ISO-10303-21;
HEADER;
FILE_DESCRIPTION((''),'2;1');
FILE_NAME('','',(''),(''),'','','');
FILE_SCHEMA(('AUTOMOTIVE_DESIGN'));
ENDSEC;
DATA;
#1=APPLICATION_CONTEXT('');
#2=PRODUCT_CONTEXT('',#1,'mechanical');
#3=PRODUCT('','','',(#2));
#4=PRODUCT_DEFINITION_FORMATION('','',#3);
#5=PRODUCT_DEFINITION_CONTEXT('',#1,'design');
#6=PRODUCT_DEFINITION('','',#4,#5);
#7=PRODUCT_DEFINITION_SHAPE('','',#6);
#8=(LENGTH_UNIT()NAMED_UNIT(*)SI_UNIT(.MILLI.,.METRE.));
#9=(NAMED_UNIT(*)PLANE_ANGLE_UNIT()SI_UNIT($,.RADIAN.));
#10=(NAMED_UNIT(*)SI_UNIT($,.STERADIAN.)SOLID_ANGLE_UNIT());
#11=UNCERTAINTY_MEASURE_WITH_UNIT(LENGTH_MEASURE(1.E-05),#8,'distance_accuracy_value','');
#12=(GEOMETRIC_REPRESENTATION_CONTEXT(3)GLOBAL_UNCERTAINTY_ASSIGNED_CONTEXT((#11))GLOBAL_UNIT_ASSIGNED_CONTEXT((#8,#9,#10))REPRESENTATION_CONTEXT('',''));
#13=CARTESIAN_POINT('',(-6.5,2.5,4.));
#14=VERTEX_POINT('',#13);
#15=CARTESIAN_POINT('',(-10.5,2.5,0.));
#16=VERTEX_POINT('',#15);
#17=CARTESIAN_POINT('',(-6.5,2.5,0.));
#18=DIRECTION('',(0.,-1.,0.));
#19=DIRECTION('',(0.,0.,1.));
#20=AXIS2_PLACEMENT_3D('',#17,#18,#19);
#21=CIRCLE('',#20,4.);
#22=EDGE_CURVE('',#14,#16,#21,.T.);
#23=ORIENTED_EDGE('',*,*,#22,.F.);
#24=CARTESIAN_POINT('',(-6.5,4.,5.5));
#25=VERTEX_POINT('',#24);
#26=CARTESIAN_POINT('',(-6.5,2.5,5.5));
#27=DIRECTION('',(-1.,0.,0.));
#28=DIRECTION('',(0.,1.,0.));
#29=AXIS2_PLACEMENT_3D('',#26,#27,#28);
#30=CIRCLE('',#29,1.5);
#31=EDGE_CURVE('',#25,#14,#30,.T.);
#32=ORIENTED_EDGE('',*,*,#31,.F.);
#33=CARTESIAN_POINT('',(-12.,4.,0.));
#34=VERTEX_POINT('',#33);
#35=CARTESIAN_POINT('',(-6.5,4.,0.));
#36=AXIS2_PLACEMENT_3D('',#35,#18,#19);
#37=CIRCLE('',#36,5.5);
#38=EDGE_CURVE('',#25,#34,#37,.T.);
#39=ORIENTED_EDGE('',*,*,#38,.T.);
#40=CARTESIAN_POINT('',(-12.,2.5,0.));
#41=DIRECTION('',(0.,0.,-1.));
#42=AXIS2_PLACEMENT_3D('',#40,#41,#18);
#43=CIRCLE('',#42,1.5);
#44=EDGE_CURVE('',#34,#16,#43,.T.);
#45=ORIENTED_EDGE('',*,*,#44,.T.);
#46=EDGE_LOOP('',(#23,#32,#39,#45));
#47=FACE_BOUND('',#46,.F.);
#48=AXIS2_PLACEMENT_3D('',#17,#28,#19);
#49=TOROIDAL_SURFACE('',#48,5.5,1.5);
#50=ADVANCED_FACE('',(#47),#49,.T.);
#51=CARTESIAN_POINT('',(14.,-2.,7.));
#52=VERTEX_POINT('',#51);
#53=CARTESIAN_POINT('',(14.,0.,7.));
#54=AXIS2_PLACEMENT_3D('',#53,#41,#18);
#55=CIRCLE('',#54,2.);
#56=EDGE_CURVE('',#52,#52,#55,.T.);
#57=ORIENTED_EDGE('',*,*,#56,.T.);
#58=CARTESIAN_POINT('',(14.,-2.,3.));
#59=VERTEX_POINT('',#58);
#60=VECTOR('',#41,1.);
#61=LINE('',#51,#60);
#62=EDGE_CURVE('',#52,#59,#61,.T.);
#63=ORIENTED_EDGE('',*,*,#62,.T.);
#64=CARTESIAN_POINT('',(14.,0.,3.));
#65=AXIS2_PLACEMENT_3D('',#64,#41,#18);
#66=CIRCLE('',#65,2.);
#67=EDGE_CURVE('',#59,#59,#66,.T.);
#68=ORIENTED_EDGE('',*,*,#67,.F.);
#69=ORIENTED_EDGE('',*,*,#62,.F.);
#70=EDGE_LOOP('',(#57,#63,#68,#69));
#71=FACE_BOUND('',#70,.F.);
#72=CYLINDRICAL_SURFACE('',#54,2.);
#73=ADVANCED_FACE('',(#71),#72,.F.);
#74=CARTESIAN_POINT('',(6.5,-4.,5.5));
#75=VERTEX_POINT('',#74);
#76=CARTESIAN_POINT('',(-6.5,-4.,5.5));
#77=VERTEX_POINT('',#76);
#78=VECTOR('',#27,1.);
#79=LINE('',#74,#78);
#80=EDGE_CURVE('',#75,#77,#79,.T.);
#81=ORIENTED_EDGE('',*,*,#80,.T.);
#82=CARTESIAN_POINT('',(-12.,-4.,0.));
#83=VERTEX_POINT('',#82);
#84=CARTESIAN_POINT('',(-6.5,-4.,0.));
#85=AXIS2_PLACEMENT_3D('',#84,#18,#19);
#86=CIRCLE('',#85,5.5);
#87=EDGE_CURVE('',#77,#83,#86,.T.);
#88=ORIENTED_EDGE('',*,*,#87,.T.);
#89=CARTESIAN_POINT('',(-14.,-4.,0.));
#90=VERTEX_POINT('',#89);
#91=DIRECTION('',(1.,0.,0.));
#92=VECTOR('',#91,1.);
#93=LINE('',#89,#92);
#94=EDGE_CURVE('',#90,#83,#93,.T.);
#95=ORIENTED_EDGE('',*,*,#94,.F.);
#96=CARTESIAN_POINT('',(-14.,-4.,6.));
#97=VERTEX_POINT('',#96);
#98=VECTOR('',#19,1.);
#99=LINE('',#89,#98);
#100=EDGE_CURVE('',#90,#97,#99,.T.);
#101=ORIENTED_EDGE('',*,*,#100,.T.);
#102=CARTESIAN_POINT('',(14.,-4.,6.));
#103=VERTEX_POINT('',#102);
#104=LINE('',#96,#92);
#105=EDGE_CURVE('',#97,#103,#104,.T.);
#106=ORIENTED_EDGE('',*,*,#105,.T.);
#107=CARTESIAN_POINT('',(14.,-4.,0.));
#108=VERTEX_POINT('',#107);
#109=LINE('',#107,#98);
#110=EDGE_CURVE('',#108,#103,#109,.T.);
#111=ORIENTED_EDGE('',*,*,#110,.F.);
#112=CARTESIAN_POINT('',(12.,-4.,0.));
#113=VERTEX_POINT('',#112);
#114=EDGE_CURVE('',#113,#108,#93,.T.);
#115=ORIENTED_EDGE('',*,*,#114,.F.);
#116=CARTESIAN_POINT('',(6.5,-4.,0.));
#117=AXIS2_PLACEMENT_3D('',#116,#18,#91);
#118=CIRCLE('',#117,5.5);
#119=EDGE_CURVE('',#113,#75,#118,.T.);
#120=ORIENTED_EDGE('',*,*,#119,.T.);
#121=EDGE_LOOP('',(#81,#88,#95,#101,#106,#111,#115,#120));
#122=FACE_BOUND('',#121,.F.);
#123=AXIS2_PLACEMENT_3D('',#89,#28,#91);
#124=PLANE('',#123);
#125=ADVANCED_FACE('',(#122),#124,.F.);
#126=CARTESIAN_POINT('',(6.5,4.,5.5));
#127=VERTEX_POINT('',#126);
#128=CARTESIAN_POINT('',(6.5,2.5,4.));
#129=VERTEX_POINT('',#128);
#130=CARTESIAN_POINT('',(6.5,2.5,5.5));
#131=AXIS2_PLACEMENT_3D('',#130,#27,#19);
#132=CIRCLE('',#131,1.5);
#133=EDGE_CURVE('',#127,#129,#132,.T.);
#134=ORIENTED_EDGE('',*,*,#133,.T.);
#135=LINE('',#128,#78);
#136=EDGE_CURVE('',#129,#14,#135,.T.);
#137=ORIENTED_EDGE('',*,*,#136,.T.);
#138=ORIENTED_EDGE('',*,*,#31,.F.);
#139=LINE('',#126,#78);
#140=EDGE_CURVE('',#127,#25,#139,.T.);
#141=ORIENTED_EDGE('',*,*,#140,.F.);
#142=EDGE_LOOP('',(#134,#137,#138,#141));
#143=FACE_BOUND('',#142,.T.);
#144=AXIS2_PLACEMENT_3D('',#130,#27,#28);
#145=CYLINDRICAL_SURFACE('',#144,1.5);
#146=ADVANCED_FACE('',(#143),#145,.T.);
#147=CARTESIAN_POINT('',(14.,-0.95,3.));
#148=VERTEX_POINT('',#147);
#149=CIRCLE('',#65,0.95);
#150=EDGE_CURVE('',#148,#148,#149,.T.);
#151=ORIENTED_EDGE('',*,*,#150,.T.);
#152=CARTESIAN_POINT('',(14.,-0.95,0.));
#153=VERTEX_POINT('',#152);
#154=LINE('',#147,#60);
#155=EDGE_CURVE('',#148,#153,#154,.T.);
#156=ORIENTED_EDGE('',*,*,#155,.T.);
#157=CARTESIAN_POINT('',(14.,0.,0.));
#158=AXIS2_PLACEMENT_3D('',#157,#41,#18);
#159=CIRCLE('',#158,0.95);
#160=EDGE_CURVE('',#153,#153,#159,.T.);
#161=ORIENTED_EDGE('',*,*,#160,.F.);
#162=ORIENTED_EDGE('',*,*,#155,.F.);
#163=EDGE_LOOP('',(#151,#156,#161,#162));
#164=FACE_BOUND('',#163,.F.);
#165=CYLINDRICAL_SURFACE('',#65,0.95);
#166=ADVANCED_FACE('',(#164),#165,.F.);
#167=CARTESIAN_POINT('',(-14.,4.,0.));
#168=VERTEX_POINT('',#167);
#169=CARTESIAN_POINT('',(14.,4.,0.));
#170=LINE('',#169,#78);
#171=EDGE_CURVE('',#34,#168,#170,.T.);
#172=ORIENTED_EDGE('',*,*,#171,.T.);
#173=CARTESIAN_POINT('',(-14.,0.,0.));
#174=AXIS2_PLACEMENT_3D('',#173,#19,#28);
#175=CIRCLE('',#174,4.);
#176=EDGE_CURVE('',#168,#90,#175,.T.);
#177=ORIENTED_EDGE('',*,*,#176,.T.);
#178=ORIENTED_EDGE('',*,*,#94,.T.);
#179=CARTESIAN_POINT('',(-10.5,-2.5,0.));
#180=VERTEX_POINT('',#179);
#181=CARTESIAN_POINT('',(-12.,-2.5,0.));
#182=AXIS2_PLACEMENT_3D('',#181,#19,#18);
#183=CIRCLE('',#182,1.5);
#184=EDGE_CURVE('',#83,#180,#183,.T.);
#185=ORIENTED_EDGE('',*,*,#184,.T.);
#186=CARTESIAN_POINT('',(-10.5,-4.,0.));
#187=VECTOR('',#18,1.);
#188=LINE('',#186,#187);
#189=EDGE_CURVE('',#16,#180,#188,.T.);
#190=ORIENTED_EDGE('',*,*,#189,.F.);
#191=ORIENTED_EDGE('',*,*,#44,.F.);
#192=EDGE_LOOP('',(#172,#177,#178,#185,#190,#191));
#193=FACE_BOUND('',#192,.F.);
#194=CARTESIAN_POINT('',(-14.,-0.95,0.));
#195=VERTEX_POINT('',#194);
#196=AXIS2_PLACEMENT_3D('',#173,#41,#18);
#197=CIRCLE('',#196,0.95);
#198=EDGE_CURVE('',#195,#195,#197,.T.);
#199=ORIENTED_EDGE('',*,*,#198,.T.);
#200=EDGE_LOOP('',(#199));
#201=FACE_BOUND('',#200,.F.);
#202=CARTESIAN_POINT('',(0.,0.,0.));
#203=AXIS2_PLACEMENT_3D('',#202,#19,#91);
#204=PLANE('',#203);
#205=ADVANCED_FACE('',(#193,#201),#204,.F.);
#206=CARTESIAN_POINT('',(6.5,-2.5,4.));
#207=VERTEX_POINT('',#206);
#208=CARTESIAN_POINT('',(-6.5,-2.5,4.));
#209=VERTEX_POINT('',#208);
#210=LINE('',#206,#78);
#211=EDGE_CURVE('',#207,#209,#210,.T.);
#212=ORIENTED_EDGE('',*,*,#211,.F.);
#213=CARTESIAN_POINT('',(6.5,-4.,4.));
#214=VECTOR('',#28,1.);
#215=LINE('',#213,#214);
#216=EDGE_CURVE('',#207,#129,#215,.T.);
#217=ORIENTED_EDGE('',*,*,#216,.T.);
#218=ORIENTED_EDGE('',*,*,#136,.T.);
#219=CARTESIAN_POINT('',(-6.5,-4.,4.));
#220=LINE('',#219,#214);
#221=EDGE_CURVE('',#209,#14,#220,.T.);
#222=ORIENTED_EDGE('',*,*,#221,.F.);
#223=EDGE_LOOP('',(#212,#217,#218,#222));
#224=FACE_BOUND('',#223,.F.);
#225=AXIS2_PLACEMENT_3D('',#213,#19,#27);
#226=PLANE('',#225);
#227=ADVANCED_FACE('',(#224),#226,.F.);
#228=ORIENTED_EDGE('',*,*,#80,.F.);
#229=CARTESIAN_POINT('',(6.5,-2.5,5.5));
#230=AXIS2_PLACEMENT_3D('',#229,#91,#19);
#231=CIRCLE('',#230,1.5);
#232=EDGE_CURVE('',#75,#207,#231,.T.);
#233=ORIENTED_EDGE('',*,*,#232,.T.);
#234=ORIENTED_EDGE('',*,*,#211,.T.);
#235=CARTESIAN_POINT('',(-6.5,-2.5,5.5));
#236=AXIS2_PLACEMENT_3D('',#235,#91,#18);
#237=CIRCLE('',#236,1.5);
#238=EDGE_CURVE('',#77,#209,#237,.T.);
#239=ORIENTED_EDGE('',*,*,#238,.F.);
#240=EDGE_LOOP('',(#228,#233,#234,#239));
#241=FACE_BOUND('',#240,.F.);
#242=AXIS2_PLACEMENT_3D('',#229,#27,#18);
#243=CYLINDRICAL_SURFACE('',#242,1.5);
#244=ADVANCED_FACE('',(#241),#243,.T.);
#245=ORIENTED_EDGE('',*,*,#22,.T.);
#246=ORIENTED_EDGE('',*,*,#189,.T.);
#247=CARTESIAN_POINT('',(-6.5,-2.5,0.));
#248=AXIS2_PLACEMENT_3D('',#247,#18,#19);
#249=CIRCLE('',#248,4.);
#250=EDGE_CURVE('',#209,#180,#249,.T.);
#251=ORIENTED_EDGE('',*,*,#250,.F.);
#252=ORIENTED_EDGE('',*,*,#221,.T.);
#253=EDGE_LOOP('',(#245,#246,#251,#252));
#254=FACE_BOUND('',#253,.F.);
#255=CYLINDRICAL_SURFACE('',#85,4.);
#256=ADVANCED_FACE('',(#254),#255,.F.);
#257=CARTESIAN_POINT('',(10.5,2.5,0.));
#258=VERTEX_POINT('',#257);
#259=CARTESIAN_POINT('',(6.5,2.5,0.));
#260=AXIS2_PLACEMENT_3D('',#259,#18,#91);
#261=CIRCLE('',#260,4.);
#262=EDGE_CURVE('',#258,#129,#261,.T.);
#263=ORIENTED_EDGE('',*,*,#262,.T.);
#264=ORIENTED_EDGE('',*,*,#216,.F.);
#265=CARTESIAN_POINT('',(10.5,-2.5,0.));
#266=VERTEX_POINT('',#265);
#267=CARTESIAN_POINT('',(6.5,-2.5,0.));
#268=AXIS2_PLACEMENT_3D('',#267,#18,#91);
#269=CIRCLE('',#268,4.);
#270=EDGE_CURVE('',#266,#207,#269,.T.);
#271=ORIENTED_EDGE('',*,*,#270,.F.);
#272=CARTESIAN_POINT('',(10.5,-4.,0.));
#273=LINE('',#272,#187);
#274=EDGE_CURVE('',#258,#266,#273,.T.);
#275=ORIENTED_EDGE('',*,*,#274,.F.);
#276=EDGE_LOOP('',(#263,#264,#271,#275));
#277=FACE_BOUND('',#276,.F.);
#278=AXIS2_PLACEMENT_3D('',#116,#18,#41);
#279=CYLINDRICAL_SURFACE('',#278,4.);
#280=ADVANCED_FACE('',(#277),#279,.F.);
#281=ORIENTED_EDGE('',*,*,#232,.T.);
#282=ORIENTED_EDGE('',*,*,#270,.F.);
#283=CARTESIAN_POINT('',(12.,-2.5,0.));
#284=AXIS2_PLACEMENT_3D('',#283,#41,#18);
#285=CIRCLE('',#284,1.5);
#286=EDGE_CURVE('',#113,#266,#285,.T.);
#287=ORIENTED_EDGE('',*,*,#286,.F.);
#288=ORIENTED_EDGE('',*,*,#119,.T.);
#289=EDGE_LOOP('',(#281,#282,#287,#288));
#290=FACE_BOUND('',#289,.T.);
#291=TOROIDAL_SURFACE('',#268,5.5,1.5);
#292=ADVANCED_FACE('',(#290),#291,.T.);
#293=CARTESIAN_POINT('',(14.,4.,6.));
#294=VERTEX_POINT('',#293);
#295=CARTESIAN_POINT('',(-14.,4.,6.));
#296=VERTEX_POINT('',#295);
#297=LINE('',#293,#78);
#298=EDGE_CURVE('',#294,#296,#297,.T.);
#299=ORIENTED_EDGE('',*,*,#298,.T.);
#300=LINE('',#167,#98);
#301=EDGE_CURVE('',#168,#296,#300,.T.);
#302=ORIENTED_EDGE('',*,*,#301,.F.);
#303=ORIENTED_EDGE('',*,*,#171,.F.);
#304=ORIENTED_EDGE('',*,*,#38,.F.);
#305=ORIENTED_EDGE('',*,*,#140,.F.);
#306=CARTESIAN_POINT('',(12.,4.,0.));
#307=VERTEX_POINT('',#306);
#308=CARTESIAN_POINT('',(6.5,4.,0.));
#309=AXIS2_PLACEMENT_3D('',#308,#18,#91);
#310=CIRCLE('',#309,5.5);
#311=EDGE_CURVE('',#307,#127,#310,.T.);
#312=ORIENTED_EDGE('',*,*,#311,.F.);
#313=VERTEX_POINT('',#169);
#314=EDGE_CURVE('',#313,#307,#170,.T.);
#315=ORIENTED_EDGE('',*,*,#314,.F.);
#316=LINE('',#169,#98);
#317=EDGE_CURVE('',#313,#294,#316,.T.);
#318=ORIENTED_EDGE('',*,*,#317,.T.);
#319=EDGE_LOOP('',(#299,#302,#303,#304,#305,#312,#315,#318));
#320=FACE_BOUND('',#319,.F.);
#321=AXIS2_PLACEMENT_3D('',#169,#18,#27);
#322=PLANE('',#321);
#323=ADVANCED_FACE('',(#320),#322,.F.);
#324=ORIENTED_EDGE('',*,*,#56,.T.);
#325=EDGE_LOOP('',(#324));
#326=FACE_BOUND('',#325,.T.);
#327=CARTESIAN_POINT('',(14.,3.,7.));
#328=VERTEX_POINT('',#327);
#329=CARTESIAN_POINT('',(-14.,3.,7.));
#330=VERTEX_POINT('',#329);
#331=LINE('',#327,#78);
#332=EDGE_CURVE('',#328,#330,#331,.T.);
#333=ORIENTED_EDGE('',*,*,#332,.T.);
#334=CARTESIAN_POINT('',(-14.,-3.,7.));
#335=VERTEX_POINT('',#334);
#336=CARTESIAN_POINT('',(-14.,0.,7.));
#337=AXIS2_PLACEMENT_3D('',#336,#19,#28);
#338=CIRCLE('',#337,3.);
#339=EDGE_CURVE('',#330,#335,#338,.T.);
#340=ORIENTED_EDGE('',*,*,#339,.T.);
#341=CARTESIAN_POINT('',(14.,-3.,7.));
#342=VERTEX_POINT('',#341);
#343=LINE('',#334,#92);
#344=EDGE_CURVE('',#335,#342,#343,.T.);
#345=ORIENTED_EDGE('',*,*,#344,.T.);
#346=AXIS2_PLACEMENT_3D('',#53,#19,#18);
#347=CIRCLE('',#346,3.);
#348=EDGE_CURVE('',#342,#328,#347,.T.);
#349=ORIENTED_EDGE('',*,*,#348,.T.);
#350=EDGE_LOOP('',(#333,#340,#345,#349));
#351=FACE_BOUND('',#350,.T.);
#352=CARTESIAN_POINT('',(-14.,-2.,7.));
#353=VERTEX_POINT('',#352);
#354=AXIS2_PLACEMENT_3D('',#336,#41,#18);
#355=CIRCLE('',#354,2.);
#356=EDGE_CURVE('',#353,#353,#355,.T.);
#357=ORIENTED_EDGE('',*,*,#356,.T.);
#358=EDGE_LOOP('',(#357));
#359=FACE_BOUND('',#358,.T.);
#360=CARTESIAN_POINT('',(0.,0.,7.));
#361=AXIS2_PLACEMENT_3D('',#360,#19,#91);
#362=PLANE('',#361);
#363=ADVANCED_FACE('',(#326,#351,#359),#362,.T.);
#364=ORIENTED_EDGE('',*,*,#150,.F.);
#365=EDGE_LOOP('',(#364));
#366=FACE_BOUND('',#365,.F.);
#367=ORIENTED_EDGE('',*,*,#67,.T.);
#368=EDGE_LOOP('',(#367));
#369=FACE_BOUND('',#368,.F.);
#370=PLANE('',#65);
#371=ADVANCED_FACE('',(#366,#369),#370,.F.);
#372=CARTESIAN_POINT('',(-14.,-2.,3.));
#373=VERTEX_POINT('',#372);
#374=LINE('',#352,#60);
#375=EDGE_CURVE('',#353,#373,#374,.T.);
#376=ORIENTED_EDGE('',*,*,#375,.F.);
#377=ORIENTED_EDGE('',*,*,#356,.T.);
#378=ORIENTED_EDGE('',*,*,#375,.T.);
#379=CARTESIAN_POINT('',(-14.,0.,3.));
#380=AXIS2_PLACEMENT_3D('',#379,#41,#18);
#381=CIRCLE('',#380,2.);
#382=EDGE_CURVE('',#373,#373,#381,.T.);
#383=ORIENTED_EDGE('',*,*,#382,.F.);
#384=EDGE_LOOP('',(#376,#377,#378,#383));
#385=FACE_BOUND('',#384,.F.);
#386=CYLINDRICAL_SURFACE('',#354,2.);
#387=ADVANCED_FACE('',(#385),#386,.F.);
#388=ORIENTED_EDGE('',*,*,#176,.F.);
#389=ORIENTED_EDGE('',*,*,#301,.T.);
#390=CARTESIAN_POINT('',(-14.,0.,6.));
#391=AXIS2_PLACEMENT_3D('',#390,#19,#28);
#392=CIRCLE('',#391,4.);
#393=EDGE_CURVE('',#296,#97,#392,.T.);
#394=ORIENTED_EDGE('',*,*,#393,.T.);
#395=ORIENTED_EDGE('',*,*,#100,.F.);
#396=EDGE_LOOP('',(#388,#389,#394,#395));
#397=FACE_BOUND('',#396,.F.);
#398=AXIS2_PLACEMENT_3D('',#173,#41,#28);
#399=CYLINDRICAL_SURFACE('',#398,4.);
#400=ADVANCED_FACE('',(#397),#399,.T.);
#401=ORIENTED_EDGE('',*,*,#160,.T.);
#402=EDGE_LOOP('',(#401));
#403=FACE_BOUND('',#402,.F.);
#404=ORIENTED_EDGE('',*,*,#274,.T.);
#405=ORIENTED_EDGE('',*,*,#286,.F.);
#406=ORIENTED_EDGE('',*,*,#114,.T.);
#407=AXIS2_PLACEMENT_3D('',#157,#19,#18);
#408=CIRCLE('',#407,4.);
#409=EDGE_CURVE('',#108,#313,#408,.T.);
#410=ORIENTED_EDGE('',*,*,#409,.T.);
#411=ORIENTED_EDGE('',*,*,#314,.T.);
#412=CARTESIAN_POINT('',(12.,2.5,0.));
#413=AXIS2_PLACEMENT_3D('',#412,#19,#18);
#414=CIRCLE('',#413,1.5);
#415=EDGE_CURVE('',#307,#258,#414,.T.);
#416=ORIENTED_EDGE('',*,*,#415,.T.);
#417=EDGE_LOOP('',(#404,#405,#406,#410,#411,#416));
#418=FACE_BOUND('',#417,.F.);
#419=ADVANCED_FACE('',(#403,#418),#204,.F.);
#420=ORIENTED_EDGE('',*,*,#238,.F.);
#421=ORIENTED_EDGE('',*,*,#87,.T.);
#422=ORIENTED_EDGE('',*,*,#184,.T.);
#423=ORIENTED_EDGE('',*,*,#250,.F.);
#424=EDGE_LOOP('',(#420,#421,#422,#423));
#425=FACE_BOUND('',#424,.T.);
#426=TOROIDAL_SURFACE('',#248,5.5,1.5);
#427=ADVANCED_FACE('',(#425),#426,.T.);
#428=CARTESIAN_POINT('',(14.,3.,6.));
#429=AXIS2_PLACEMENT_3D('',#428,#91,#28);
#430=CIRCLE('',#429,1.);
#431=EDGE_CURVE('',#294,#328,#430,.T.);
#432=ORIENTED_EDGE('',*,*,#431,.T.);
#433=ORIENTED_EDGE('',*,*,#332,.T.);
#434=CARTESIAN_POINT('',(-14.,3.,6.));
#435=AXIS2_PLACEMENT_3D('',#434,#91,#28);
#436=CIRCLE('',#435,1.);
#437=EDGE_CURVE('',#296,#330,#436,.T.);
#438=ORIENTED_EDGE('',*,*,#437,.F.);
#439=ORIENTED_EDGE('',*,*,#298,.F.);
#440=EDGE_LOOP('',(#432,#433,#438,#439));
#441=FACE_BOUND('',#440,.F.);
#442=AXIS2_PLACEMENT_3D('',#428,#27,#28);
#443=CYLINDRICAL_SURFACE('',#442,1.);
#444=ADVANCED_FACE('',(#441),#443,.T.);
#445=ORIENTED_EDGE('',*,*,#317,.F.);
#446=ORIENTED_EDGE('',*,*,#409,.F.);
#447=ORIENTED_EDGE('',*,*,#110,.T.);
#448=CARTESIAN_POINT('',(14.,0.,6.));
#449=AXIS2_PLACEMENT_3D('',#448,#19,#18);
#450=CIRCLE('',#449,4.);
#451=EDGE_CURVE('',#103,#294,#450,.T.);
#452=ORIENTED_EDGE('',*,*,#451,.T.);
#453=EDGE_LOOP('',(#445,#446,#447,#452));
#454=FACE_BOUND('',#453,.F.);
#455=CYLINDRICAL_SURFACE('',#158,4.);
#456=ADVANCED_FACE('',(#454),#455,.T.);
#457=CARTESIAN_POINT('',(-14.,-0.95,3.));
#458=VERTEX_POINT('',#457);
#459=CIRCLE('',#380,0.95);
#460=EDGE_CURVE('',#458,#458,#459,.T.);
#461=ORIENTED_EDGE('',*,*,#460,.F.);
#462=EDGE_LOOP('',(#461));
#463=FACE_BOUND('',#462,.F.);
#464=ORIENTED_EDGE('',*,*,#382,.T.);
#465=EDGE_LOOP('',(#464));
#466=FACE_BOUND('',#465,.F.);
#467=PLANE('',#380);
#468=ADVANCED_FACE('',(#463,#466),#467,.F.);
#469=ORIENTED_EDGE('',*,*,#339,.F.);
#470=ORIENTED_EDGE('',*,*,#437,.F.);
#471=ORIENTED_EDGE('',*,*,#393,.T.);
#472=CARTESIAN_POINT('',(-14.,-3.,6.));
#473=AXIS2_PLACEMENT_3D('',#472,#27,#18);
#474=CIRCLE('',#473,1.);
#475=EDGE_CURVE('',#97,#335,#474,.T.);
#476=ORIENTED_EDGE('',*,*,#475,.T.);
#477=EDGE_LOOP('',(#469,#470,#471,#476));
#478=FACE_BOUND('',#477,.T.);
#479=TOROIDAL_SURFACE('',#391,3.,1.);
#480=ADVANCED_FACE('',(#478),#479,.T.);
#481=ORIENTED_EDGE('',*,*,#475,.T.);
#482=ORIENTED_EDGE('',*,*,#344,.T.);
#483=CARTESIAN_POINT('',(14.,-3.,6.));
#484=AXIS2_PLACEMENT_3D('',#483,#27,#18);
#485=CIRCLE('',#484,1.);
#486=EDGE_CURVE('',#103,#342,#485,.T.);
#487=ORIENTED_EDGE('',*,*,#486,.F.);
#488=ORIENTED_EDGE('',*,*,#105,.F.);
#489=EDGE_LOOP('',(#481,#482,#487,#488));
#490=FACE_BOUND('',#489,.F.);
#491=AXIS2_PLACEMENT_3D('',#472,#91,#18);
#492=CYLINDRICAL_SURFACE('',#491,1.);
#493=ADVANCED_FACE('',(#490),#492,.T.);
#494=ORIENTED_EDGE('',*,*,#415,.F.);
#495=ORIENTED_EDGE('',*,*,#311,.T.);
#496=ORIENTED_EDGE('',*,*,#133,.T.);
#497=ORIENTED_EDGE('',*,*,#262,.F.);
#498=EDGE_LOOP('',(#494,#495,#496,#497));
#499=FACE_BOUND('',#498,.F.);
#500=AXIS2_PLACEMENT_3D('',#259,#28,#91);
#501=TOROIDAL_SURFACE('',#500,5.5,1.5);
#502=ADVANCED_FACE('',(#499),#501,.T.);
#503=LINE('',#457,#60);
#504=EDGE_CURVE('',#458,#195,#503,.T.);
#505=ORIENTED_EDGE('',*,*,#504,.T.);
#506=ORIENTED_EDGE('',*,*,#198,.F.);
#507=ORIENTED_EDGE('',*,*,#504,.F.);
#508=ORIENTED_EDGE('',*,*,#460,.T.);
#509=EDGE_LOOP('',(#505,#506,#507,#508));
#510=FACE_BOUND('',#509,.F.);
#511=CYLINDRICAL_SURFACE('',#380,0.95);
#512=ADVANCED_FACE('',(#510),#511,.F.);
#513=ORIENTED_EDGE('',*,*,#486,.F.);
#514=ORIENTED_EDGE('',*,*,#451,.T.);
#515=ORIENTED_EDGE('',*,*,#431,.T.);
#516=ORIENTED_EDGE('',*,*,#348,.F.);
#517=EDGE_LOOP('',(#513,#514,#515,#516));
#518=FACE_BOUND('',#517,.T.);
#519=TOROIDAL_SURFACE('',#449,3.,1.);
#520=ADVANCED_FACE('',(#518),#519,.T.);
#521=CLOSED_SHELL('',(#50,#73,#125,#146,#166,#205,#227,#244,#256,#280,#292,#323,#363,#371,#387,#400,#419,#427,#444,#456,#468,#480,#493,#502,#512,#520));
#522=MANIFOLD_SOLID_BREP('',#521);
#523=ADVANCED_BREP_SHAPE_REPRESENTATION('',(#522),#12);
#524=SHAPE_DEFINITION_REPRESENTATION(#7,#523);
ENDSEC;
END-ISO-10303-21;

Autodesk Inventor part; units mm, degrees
ref_plane "YZ Plane" through (0, 0, 0) normal (1, 0, 0) x (0, 1, 0)
ref_plane "XZ Plane" through (0, 0, 0) normal (0, 1, 0) x (-1, 0, 0)
ref_plane "XY Plane" through (0, 0, 0) normal (0, 0, 1) x (1, 0, 0)
sketch "Sketch1" plane through (0, 0, 0) normal (0, 0, 1) x (1, 0, 0)
  line L0 (-14, 0) -> (14, 0) construction
  line L1 (-14, -4) -> (14, -4)
  line L2 (14, 4) -> (-14, 4)
  arc A0 (-14, 4) -> (-14, -4) centre (-14, 0) ccw
  arc A1 (14, -4) -> (14, 4) centre (14, 0) ccw
  point P0 (0, 0)
  dimension "d0" = 8
  dimension "d1" = 28
extrude "Extrusion1" add sketch "Sketch1" along normal blind 7
sketch "Sketch2" plane through (-14, -4, 0) normal (0, -1, 0) x (1, 0, 0)
  line L0 (7.5, 0) -> (20.5, 0) construction
  line L1 (7.5, -4) -> (20.5, -4)
  line L2 (20.5, 4) -> (7.5, 4)
  arc A0 (7.5, 4) -> (7.5, -4) centre (7.5, 0) ccw
  arc A1 (20.5, -4) -> (20.5, 4) centre (20.5, 0) ccw
  point P0 (14, 0)
  dimension "d4" = 4
  dimension "d5" = 13
extrude "Extrusion2" cut sketch "Sketch2" against normal through all
fillet "Fillet1" radius 1.5 6 edges at (0, -4, 4) (9.3284, -4, 2.8284) (-9.3284, -4, 2.8284) (0, 4, 4) (9.3284, 4, 2.8284) (-9.3284, 4, 2.8284)
fillet "Fillet2" radius 1 4 edges at (18, 0, 7) (0, 4, 7) (-18, 0, 7) (0, -4, 7)
sketch "Sketch3" plane through (0, 0, 7) normal (0, 0, 1) x (1, 0, 0)
  arc A0 (14, -4) -> (14, 4) centre (14, 0) ccw projected
  arc A1 (-14, 4) -> (-14, -4) centre (-14, 0) ccw projected
  point P0 (0, 0)
hole "Hole1" at (14, 0, 7) at (-14, 0, 7) direction (0, 0, -1) diameter 1.9 end through all counterbore diameter 4 counterbore depth 4
properties part number "cable clip"
